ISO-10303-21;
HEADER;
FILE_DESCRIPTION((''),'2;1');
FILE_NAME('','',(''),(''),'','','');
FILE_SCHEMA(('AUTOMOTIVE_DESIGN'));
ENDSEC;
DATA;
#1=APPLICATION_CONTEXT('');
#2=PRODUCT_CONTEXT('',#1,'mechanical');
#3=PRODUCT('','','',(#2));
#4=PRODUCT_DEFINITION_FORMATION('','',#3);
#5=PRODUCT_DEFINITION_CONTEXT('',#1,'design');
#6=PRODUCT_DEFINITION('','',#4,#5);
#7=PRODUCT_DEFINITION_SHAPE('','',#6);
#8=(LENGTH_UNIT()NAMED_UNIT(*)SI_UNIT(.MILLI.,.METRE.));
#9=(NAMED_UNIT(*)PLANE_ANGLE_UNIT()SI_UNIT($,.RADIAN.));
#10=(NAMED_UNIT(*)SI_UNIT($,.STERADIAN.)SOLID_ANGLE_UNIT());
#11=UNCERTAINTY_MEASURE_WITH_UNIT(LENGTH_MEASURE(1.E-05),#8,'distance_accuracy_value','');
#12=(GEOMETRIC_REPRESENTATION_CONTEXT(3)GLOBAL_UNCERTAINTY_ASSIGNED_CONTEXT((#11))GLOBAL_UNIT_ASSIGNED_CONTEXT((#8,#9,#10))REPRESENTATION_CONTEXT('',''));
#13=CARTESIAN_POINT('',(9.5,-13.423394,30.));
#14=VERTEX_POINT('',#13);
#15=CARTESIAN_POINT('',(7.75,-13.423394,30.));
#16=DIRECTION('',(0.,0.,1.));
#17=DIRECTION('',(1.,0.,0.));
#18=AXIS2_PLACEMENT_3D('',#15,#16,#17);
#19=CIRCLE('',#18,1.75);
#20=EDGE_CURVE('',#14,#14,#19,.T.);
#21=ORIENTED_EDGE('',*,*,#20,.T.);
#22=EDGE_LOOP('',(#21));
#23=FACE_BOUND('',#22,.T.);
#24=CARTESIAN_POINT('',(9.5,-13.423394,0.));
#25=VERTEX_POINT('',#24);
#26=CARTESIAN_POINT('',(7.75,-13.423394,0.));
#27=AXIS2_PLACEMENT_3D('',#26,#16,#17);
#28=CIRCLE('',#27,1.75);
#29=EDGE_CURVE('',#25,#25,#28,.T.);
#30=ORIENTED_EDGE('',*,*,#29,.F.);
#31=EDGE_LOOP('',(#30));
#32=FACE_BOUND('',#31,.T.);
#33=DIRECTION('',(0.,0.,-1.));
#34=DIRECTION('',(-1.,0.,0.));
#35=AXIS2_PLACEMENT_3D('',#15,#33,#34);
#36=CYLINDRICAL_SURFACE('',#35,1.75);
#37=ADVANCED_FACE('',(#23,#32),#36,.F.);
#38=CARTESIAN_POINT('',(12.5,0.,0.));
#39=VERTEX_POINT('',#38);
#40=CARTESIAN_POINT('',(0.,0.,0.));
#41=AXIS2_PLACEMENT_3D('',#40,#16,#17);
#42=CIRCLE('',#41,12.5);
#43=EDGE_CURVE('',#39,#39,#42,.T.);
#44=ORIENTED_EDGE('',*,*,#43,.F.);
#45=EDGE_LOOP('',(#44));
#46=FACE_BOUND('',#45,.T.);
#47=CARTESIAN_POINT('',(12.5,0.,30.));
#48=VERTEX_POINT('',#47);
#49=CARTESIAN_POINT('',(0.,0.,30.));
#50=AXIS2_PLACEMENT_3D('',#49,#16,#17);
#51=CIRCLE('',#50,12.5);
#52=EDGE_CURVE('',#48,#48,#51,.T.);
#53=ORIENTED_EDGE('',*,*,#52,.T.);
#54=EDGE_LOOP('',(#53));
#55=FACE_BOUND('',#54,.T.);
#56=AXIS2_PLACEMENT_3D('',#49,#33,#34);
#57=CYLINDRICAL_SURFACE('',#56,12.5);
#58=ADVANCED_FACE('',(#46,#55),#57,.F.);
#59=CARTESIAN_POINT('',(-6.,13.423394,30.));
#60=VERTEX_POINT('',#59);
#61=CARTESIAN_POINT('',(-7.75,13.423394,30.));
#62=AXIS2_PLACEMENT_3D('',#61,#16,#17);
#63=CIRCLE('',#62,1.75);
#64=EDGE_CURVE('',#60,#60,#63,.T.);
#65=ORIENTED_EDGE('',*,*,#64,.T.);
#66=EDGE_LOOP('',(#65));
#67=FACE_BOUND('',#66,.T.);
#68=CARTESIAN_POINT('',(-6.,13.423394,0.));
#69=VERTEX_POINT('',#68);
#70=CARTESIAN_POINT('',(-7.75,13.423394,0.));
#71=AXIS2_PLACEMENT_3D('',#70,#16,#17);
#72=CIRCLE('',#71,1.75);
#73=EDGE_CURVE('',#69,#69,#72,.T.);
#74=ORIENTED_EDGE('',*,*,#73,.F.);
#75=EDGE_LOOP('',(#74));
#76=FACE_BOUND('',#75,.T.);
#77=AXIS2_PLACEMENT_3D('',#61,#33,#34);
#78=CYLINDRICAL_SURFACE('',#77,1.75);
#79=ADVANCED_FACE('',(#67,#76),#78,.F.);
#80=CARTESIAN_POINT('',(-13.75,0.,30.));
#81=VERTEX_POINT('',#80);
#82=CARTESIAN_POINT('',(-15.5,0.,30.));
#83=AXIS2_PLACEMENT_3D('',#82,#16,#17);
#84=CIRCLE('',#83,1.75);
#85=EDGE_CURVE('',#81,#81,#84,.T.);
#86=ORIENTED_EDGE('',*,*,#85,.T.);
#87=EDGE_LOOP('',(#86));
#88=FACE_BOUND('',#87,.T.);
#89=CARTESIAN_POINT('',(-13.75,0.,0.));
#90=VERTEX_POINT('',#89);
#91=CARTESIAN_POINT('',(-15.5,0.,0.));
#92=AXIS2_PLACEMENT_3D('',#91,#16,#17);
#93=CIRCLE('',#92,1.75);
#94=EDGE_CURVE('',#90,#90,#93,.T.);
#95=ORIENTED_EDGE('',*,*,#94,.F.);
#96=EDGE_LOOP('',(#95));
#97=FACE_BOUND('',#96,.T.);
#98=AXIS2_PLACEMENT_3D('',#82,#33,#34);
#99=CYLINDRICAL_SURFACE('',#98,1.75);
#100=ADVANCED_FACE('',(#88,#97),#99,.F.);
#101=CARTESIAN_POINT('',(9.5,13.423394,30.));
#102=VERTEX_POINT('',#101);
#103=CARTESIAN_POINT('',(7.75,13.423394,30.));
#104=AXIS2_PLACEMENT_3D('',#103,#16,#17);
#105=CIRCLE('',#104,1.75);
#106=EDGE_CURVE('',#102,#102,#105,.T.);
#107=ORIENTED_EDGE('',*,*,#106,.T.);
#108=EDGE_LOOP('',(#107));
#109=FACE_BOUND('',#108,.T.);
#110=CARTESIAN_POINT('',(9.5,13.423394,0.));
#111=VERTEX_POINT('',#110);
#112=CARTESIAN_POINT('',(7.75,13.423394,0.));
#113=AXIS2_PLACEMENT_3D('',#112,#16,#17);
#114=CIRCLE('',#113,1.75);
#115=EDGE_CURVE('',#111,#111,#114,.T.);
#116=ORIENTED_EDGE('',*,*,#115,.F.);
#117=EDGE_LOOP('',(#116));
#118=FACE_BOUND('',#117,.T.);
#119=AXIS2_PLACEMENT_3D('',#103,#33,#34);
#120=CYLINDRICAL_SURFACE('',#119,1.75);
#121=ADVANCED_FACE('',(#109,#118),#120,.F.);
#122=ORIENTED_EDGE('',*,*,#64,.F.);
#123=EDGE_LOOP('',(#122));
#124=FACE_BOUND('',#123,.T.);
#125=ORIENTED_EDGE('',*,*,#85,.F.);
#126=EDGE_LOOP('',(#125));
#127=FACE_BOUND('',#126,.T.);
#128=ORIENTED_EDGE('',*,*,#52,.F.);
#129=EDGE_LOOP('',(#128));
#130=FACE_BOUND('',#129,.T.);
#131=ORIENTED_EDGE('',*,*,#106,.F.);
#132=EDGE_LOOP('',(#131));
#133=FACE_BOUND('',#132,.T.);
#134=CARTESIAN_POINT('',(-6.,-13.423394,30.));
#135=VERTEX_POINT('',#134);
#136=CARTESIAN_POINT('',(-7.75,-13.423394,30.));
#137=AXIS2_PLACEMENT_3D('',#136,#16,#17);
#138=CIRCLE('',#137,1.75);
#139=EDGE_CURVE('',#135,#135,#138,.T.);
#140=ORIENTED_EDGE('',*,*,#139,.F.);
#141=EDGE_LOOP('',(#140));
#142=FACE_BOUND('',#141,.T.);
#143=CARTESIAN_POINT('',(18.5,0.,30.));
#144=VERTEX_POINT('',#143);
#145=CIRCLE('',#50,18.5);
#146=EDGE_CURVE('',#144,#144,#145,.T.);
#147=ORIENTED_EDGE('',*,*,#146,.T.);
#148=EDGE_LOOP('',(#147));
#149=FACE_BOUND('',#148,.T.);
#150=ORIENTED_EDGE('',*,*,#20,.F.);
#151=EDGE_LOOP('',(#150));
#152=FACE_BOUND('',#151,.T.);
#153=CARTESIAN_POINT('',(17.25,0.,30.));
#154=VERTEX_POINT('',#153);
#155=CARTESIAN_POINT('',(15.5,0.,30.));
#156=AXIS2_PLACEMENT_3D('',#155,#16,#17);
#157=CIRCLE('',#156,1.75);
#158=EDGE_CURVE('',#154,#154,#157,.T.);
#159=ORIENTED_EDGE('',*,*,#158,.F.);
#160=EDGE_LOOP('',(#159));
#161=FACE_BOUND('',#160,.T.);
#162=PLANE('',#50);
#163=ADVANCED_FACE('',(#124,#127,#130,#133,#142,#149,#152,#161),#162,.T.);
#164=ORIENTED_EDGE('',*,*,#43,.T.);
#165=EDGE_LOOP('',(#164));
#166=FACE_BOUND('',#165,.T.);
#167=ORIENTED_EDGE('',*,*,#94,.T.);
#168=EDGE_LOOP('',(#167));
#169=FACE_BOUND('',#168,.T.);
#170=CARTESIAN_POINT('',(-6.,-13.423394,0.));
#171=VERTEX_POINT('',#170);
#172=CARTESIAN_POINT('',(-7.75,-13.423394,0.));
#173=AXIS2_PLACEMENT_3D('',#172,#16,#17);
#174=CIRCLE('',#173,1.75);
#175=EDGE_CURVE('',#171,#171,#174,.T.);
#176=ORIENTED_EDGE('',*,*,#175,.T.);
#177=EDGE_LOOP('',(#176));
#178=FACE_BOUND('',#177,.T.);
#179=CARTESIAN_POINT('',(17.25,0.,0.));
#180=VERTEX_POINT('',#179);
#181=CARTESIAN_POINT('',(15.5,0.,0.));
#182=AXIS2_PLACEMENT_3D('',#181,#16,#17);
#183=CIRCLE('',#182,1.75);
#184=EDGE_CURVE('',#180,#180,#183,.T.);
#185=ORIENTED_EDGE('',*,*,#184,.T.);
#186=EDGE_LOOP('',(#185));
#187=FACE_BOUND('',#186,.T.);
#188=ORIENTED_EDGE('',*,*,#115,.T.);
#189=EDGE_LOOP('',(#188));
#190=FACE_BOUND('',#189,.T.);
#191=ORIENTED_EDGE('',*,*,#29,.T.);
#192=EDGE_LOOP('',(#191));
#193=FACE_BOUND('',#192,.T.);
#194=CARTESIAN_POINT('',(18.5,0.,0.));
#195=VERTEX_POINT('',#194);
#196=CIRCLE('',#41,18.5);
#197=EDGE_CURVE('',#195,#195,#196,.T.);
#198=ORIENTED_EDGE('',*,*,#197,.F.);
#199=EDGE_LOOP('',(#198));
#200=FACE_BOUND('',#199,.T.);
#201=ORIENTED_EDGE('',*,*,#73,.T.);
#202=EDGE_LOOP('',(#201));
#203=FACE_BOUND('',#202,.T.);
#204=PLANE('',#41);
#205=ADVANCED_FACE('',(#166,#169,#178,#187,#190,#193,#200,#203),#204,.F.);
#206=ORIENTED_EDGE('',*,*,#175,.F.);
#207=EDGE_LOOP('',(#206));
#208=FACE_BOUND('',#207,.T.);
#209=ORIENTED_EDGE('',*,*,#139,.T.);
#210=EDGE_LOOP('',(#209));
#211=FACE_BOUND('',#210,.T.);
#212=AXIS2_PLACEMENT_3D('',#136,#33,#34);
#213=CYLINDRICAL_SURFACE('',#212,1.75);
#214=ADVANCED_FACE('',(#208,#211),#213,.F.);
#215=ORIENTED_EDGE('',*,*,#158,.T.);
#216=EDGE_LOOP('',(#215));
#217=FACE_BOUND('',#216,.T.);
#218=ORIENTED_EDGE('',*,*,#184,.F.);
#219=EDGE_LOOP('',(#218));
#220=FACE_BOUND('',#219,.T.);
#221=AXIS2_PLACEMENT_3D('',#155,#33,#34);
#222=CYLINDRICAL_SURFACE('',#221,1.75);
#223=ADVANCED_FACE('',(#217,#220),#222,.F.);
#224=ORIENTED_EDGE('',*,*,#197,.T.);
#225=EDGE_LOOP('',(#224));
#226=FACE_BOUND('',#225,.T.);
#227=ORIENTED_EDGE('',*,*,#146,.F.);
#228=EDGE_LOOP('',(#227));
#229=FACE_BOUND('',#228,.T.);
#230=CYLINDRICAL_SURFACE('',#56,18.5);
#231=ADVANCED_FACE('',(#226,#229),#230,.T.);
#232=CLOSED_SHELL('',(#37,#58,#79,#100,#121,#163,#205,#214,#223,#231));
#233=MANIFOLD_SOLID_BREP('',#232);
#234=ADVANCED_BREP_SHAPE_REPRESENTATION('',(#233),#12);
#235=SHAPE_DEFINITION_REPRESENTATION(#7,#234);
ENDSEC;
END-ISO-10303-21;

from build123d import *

# Parameters (mm, degrees)
SKETCH1_R           = 18.5
SKETCH1_R_2         = 1.75
SKETCH1_R_3         = 12.5
BOSS_EXTRUDE1_DEPTH = 30


with BuildPart() as part:
    # Sketch1 → Boss-Extrude1 (new body)
    with BuildSketch(Plane.XY):
        Circle(SKETCH1_R)
        with Locations((-15.5, 0)):
            Circle(SKETCH1_R_2, mode=Mode.SUBTRACT)
        with Locations((-7.75, 13.423393759)):
            Circle(SKETCH1_R_2, mode=Mode.SUBTRACT)
        with Locations((7.75, 13.423393759)):
            Circle(SKETCH1_R_2, mode=Mode.SUBTRACT)
        with Locations((15.5, 0)):
            Circle(SKETCH1_R_2, mode=Mode.SUBTRACT)
        with Locations((7.75, -13.423393759)):
            Circle(SKETCH1_R_2, mode=Mode.SUBTRACT)
        with Locations((-7.75, -13.423393759)):
            Circle(SKETCH1_R_2, mode=Mode.SUBTRACT)
        Circle(SKETCH1_R_3, mode=Mode.SUBTRACT)
    extrude(amount=BOSS_EXTRUDE1_DEPTH)


solid = part.part
